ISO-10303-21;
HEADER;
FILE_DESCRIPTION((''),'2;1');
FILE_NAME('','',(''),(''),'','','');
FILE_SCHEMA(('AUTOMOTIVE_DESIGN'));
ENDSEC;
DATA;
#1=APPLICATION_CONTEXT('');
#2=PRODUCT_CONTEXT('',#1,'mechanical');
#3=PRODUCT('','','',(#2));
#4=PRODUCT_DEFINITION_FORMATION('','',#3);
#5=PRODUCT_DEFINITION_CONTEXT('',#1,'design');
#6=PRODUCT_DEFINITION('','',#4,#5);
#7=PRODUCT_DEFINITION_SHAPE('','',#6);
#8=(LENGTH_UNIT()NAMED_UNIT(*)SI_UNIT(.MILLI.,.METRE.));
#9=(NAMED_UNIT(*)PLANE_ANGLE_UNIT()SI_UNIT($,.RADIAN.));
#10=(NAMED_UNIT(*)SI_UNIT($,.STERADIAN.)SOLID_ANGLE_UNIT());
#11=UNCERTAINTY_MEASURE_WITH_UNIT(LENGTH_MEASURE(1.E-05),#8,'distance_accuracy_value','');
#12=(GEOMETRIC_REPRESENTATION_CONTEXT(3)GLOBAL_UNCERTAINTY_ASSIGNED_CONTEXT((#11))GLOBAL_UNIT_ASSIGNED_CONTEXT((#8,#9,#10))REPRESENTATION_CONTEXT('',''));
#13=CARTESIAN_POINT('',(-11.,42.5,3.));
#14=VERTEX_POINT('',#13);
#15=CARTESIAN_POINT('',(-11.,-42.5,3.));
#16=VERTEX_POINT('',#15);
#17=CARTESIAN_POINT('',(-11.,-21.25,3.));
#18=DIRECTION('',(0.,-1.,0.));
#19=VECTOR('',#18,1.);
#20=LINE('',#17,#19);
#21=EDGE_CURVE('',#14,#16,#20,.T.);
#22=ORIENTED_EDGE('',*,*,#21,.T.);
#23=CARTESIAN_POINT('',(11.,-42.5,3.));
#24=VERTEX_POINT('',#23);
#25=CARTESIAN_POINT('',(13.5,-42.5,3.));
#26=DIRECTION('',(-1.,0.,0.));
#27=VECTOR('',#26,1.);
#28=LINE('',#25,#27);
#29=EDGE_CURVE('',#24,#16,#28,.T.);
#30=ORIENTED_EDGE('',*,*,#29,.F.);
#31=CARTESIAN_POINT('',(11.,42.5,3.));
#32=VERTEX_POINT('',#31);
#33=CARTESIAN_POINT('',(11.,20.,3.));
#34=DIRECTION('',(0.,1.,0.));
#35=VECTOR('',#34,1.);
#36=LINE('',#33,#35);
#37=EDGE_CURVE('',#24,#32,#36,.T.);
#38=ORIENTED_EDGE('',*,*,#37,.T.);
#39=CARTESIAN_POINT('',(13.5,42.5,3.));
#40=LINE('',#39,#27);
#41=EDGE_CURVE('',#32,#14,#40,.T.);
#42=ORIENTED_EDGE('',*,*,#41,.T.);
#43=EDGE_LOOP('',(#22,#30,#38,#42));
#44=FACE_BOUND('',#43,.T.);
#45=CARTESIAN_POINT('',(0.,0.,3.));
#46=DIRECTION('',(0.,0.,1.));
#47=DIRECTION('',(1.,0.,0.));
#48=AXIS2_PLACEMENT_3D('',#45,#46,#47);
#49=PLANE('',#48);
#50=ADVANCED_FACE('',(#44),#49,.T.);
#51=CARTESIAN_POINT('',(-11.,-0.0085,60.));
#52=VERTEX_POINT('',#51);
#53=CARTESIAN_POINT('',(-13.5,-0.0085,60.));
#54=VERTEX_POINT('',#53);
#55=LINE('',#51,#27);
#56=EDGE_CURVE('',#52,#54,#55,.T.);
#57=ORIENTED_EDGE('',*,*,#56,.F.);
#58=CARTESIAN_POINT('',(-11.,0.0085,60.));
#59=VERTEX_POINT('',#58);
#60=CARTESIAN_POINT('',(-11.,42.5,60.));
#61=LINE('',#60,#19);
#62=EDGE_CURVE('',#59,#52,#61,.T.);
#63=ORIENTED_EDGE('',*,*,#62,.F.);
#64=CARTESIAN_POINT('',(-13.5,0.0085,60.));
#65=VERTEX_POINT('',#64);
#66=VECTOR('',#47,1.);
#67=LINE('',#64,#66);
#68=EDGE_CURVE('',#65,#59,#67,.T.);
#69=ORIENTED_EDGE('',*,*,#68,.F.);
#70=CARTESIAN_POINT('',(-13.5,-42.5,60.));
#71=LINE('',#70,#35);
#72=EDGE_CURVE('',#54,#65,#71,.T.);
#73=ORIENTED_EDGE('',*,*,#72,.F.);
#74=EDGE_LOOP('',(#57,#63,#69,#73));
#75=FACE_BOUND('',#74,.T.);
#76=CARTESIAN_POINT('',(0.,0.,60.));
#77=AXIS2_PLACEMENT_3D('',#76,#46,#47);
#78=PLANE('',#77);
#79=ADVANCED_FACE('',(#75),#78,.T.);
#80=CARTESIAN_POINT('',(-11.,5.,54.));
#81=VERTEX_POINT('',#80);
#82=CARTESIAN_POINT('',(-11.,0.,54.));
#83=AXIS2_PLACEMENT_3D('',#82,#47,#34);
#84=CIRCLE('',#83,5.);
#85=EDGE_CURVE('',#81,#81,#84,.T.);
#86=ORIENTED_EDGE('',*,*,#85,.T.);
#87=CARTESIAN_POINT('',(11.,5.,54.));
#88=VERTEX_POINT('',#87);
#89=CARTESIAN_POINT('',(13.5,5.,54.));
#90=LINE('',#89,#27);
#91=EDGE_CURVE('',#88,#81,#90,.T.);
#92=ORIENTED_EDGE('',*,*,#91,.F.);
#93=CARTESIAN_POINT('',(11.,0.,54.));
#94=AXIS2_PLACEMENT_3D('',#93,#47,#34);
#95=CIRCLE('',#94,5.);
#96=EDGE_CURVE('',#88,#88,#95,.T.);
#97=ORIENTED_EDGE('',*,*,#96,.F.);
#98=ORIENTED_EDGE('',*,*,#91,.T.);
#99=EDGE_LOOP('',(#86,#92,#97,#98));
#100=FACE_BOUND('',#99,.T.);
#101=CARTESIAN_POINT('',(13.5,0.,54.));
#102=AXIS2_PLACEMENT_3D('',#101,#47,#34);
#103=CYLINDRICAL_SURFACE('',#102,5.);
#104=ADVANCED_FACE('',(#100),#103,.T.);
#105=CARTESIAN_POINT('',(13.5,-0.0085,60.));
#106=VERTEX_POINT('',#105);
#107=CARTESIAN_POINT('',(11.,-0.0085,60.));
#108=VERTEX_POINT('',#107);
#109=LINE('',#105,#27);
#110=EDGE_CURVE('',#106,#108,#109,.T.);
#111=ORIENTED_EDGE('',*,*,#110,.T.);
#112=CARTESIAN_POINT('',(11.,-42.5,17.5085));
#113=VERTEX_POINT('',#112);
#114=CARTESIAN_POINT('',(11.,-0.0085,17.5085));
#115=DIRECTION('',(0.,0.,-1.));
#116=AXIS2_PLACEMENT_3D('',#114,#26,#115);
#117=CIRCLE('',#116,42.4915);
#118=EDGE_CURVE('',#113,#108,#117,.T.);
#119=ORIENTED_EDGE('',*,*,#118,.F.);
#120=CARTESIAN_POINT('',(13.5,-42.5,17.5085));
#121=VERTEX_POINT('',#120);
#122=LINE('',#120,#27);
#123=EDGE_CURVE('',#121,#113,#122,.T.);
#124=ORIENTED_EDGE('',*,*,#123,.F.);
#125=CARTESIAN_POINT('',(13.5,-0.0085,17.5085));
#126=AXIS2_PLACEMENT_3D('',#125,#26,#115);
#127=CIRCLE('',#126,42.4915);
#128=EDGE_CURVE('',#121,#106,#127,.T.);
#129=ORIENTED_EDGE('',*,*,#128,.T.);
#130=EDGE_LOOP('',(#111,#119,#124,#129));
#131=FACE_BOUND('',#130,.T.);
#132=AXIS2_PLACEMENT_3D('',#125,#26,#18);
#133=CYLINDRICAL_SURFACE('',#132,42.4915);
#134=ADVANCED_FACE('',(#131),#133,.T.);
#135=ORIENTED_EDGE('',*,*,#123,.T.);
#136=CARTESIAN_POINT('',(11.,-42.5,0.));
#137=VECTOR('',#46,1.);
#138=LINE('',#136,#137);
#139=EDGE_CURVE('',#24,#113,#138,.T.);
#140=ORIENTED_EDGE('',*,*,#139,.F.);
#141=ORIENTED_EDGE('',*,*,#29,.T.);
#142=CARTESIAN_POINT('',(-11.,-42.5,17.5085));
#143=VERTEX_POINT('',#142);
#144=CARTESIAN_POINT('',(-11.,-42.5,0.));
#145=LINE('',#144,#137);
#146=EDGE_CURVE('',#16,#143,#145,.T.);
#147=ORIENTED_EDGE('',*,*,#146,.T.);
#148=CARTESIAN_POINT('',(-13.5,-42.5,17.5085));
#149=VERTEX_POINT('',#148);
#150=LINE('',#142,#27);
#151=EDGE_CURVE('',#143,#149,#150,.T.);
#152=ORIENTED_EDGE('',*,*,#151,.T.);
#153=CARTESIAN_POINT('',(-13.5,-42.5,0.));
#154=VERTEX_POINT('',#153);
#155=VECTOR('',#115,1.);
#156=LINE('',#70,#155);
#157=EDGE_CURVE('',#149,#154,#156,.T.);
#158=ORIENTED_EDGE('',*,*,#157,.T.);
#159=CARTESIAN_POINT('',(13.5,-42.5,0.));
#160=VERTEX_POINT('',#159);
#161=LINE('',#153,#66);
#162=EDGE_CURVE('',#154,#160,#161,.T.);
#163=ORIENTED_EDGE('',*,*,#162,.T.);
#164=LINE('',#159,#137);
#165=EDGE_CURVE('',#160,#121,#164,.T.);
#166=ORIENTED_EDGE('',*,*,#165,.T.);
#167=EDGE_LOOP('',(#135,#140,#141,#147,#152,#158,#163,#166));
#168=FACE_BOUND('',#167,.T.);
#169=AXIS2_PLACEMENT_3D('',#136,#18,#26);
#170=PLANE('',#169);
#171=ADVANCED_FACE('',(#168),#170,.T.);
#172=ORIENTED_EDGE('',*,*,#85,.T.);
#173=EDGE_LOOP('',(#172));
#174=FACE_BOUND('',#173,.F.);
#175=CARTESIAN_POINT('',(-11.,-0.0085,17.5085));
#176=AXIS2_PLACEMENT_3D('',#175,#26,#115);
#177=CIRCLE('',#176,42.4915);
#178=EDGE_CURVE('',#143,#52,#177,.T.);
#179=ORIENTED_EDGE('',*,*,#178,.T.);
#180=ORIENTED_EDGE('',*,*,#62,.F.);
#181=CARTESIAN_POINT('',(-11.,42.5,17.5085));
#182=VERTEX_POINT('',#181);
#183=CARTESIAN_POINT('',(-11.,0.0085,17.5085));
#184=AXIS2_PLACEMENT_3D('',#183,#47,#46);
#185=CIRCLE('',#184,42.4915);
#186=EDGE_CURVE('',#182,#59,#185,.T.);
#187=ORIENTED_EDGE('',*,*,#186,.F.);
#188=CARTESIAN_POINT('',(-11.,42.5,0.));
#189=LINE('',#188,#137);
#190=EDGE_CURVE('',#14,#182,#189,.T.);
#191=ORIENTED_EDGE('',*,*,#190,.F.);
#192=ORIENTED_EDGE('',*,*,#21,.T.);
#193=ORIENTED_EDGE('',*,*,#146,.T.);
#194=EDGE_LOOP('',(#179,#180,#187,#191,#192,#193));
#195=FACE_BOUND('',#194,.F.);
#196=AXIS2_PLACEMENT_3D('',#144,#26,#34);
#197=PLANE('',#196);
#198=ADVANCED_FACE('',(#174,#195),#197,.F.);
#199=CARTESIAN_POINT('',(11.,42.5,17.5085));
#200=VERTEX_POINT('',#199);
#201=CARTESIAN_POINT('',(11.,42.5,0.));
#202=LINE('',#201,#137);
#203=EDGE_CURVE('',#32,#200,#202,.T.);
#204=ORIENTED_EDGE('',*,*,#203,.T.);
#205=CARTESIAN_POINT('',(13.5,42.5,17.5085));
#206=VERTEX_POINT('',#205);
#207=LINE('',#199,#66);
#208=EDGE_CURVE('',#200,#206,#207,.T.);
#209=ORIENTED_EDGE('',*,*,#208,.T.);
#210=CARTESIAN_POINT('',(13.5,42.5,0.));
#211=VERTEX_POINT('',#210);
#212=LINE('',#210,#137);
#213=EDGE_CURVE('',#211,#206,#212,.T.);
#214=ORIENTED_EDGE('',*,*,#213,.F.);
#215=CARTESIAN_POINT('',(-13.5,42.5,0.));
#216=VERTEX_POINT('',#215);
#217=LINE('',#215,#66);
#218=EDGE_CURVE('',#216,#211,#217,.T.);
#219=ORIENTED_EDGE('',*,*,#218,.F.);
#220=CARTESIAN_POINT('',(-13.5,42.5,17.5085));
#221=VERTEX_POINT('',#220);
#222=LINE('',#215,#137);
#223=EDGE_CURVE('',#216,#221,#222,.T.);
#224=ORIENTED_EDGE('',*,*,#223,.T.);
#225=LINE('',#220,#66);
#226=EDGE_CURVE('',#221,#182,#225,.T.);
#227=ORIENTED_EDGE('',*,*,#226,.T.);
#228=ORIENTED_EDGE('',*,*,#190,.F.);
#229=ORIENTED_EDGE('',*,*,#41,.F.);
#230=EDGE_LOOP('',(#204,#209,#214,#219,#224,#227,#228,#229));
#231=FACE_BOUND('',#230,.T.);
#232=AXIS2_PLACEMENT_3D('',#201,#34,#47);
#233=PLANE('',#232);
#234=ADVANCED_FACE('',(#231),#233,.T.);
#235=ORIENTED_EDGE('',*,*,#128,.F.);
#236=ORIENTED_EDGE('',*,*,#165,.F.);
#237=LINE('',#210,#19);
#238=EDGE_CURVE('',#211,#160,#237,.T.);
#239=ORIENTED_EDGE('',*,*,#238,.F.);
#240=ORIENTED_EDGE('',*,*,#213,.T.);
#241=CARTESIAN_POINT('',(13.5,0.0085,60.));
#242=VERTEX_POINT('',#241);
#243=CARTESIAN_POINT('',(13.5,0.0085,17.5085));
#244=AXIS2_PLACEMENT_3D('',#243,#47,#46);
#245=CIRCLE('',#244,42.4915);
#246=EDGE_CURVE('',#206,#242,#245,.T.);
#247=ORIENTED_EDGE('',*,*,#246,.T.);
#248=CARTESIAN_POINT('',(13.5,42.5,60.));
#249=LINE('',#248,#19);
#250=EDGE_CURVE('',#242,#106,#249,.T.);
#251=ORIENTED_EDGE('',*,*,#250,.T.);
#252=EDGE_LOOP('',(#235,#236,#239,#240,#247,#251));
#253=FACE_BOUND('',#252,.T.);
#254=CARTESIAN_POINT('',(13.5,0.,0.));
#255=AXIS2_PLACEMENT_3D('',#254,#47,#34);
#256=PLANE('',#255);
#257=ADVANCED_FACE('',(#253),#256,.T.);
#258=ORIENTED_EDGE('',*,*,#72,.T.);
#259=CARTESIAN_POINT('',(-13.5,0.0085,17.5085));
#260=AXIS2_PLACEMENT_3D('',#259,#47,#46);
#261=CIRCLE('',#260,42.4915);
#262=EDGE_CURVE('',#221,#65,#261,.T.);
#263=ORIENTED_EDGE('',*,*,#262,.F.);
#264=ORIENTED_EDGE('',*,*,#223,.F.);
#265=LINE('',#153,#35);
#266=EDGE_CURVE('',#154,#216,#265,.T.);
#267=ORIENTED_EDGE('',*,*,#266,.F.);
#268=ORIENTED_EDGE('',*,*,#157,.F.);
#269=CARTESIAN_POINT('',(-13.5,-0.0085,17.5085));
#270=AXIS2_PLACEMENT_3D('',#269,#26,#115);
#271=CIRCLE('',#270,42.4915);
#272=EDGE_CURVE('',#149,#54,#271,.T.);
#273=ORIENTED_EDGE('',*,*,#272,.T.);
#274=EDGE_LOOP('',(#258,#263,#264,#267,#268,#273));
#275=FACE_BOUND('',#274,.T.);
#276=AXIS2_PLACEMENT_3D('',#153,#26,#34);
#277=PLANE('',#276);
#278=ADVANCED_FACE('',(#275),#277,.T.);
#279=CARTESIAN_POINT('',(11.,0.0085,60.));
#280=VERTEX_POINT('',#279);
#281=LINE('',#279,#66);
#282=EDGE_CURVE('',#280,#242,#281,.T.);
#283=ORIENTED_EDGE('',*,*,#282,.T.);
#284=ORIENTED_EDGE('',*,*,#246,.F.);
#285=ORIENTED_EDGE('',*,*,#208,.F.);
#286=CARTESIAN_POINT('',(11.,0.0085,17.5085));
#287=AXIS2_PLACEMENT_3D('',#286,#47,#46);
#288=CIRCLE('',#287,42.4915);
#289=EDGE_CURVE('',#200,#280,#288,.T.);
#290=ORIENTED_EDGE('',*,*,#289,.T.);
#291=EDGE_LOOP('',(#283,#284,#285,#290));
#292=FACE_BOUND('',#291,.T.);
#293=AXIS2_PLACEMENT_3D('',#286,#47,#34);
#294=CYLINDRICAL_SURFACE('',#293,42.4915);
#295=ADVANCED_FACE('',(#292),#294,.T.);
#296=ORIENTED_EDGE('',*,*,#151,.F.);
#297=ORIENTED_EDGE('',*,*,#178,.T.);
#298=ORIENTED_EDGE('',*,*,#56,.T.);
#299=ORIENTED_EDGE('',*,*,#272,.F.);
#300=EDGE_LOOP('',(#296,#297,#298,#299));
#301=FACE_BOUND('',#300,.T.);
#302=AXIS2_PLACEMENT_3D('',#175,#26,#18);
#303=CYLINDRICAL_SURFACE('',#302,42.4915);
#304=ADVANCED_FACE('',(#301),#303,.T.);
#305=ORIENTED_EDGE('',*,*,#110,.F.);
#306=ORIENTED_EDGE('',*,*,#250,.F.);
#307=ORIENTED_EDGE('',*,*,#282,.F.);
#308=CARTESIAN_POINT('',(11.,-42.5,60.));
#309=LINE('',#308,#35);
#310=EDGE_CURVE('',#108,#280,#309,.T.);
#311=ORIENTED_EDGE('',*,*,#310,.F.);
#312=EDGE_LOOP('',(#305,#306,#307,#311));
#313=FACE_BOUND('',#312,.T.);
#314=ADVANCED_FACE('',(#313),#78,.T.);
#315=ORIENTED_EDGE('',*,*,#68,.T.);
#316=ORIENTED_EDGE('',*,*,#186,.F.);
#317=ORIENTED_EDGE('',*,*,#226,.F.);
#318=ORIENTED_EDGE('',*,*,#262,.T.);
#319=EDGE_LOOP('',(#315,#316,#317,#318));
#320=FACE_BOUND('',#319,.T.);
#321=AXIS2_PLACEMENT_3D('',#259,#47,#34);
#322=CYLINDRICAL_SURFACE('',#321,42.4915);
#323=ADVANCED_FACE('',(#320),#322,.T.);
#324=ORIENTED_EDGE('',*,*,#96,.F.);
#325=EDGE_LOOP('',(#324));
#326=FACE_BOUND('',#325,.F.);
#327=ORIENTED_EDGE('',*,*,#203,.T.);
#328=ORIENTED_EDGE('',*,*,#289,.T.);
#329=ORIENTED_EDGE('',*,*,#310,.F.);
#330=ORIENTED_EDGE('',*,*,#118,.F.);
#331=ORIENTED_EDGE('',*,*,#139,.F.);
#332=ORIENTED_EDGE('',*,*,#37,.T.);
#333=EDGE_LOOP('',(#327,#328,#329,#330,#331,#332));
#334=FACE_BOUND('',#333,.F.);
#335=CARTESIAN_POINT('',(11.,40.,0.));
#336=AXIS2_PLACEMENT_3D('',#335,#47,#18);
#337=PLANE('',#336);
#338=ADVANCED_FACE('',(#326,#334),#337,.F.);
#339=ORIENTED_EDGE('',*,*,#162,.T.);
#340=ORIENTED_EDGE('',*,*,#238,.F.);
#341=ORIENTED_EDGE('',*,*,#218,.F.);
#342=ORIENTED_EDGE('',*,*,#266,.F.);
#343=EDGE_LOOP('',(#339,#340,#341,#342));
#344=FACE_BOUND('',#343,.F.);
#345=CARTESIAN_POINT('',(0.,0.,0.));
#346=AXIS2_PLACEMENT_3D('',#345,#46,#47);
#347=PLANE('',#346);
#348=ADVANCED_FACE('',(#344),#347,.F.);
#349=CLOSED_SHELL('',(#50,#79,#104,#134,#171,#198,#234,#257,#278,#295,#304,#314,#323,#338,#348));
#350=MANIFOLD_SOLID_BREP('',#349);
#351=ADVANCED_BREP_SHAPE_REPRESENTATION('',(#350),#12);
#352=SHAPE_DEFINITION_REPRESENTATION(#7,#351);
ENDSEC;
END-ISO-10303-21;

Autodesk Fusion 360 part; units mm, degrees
sketch "Sketch1" plane through (0, 0, 0) normal (0, 0, 1) x (1, 0, 0)
  line L0 (11, -40) -> (-11, -40)
  line L1 (-11, -42.5) -> (-11, 42.5)
  line L2 (-11, 40) -> (11, 40)
  line L3 (11, 42.5) -> (11, -42.5)
  line L4 (-13.5, -42.5) -> (-13.5, 42.5)
  line L5 (-13.5, 42.5) -> (13.5, 42.5)
  line L6 (13.5, 42.5) -> (13.5, -42.5)
  line L7 (13.5, -42.5) -> (-13.5, -42.5)
  dimension "d1" = 22
  dimension "d2" = 80
extrude "Extrude1" add sketch "Sketch1" along normal blind 3
extrude "Extrude2" add sketch "Sketch1" along normal blind 60 contours L3 L5 L6 L7 | L1 L4 L5 L7
fillet "Fillet1" radius 42.5 4 edges at (12.25, -42.5, 60) (-12.25, -42.5, 60) (12.25, 42.5, 60) (-12.25, 42.5, 60)
sketch "Sketch2" plane through (13.5, 0, 0) normal (1, 0, 0) x (0, 1, 0)
  arc A0 (42.5, 17.5) -> (-42.5, 17.5) centre (0, 17.5) ccw
  line L0 (-42.5, 17.5) -> (-42.5, 0)
  line L1 (-42.5, 0) -> (42.5, 0)
  line L2 (42.5, 0) -> (42.5, 17.5)
  circle A1 centre (0, 54) radius 5
  dimension "d10" = 10
extrude "Extrude3" add sketch "Sketch2" against normal blind 27 contours A1
